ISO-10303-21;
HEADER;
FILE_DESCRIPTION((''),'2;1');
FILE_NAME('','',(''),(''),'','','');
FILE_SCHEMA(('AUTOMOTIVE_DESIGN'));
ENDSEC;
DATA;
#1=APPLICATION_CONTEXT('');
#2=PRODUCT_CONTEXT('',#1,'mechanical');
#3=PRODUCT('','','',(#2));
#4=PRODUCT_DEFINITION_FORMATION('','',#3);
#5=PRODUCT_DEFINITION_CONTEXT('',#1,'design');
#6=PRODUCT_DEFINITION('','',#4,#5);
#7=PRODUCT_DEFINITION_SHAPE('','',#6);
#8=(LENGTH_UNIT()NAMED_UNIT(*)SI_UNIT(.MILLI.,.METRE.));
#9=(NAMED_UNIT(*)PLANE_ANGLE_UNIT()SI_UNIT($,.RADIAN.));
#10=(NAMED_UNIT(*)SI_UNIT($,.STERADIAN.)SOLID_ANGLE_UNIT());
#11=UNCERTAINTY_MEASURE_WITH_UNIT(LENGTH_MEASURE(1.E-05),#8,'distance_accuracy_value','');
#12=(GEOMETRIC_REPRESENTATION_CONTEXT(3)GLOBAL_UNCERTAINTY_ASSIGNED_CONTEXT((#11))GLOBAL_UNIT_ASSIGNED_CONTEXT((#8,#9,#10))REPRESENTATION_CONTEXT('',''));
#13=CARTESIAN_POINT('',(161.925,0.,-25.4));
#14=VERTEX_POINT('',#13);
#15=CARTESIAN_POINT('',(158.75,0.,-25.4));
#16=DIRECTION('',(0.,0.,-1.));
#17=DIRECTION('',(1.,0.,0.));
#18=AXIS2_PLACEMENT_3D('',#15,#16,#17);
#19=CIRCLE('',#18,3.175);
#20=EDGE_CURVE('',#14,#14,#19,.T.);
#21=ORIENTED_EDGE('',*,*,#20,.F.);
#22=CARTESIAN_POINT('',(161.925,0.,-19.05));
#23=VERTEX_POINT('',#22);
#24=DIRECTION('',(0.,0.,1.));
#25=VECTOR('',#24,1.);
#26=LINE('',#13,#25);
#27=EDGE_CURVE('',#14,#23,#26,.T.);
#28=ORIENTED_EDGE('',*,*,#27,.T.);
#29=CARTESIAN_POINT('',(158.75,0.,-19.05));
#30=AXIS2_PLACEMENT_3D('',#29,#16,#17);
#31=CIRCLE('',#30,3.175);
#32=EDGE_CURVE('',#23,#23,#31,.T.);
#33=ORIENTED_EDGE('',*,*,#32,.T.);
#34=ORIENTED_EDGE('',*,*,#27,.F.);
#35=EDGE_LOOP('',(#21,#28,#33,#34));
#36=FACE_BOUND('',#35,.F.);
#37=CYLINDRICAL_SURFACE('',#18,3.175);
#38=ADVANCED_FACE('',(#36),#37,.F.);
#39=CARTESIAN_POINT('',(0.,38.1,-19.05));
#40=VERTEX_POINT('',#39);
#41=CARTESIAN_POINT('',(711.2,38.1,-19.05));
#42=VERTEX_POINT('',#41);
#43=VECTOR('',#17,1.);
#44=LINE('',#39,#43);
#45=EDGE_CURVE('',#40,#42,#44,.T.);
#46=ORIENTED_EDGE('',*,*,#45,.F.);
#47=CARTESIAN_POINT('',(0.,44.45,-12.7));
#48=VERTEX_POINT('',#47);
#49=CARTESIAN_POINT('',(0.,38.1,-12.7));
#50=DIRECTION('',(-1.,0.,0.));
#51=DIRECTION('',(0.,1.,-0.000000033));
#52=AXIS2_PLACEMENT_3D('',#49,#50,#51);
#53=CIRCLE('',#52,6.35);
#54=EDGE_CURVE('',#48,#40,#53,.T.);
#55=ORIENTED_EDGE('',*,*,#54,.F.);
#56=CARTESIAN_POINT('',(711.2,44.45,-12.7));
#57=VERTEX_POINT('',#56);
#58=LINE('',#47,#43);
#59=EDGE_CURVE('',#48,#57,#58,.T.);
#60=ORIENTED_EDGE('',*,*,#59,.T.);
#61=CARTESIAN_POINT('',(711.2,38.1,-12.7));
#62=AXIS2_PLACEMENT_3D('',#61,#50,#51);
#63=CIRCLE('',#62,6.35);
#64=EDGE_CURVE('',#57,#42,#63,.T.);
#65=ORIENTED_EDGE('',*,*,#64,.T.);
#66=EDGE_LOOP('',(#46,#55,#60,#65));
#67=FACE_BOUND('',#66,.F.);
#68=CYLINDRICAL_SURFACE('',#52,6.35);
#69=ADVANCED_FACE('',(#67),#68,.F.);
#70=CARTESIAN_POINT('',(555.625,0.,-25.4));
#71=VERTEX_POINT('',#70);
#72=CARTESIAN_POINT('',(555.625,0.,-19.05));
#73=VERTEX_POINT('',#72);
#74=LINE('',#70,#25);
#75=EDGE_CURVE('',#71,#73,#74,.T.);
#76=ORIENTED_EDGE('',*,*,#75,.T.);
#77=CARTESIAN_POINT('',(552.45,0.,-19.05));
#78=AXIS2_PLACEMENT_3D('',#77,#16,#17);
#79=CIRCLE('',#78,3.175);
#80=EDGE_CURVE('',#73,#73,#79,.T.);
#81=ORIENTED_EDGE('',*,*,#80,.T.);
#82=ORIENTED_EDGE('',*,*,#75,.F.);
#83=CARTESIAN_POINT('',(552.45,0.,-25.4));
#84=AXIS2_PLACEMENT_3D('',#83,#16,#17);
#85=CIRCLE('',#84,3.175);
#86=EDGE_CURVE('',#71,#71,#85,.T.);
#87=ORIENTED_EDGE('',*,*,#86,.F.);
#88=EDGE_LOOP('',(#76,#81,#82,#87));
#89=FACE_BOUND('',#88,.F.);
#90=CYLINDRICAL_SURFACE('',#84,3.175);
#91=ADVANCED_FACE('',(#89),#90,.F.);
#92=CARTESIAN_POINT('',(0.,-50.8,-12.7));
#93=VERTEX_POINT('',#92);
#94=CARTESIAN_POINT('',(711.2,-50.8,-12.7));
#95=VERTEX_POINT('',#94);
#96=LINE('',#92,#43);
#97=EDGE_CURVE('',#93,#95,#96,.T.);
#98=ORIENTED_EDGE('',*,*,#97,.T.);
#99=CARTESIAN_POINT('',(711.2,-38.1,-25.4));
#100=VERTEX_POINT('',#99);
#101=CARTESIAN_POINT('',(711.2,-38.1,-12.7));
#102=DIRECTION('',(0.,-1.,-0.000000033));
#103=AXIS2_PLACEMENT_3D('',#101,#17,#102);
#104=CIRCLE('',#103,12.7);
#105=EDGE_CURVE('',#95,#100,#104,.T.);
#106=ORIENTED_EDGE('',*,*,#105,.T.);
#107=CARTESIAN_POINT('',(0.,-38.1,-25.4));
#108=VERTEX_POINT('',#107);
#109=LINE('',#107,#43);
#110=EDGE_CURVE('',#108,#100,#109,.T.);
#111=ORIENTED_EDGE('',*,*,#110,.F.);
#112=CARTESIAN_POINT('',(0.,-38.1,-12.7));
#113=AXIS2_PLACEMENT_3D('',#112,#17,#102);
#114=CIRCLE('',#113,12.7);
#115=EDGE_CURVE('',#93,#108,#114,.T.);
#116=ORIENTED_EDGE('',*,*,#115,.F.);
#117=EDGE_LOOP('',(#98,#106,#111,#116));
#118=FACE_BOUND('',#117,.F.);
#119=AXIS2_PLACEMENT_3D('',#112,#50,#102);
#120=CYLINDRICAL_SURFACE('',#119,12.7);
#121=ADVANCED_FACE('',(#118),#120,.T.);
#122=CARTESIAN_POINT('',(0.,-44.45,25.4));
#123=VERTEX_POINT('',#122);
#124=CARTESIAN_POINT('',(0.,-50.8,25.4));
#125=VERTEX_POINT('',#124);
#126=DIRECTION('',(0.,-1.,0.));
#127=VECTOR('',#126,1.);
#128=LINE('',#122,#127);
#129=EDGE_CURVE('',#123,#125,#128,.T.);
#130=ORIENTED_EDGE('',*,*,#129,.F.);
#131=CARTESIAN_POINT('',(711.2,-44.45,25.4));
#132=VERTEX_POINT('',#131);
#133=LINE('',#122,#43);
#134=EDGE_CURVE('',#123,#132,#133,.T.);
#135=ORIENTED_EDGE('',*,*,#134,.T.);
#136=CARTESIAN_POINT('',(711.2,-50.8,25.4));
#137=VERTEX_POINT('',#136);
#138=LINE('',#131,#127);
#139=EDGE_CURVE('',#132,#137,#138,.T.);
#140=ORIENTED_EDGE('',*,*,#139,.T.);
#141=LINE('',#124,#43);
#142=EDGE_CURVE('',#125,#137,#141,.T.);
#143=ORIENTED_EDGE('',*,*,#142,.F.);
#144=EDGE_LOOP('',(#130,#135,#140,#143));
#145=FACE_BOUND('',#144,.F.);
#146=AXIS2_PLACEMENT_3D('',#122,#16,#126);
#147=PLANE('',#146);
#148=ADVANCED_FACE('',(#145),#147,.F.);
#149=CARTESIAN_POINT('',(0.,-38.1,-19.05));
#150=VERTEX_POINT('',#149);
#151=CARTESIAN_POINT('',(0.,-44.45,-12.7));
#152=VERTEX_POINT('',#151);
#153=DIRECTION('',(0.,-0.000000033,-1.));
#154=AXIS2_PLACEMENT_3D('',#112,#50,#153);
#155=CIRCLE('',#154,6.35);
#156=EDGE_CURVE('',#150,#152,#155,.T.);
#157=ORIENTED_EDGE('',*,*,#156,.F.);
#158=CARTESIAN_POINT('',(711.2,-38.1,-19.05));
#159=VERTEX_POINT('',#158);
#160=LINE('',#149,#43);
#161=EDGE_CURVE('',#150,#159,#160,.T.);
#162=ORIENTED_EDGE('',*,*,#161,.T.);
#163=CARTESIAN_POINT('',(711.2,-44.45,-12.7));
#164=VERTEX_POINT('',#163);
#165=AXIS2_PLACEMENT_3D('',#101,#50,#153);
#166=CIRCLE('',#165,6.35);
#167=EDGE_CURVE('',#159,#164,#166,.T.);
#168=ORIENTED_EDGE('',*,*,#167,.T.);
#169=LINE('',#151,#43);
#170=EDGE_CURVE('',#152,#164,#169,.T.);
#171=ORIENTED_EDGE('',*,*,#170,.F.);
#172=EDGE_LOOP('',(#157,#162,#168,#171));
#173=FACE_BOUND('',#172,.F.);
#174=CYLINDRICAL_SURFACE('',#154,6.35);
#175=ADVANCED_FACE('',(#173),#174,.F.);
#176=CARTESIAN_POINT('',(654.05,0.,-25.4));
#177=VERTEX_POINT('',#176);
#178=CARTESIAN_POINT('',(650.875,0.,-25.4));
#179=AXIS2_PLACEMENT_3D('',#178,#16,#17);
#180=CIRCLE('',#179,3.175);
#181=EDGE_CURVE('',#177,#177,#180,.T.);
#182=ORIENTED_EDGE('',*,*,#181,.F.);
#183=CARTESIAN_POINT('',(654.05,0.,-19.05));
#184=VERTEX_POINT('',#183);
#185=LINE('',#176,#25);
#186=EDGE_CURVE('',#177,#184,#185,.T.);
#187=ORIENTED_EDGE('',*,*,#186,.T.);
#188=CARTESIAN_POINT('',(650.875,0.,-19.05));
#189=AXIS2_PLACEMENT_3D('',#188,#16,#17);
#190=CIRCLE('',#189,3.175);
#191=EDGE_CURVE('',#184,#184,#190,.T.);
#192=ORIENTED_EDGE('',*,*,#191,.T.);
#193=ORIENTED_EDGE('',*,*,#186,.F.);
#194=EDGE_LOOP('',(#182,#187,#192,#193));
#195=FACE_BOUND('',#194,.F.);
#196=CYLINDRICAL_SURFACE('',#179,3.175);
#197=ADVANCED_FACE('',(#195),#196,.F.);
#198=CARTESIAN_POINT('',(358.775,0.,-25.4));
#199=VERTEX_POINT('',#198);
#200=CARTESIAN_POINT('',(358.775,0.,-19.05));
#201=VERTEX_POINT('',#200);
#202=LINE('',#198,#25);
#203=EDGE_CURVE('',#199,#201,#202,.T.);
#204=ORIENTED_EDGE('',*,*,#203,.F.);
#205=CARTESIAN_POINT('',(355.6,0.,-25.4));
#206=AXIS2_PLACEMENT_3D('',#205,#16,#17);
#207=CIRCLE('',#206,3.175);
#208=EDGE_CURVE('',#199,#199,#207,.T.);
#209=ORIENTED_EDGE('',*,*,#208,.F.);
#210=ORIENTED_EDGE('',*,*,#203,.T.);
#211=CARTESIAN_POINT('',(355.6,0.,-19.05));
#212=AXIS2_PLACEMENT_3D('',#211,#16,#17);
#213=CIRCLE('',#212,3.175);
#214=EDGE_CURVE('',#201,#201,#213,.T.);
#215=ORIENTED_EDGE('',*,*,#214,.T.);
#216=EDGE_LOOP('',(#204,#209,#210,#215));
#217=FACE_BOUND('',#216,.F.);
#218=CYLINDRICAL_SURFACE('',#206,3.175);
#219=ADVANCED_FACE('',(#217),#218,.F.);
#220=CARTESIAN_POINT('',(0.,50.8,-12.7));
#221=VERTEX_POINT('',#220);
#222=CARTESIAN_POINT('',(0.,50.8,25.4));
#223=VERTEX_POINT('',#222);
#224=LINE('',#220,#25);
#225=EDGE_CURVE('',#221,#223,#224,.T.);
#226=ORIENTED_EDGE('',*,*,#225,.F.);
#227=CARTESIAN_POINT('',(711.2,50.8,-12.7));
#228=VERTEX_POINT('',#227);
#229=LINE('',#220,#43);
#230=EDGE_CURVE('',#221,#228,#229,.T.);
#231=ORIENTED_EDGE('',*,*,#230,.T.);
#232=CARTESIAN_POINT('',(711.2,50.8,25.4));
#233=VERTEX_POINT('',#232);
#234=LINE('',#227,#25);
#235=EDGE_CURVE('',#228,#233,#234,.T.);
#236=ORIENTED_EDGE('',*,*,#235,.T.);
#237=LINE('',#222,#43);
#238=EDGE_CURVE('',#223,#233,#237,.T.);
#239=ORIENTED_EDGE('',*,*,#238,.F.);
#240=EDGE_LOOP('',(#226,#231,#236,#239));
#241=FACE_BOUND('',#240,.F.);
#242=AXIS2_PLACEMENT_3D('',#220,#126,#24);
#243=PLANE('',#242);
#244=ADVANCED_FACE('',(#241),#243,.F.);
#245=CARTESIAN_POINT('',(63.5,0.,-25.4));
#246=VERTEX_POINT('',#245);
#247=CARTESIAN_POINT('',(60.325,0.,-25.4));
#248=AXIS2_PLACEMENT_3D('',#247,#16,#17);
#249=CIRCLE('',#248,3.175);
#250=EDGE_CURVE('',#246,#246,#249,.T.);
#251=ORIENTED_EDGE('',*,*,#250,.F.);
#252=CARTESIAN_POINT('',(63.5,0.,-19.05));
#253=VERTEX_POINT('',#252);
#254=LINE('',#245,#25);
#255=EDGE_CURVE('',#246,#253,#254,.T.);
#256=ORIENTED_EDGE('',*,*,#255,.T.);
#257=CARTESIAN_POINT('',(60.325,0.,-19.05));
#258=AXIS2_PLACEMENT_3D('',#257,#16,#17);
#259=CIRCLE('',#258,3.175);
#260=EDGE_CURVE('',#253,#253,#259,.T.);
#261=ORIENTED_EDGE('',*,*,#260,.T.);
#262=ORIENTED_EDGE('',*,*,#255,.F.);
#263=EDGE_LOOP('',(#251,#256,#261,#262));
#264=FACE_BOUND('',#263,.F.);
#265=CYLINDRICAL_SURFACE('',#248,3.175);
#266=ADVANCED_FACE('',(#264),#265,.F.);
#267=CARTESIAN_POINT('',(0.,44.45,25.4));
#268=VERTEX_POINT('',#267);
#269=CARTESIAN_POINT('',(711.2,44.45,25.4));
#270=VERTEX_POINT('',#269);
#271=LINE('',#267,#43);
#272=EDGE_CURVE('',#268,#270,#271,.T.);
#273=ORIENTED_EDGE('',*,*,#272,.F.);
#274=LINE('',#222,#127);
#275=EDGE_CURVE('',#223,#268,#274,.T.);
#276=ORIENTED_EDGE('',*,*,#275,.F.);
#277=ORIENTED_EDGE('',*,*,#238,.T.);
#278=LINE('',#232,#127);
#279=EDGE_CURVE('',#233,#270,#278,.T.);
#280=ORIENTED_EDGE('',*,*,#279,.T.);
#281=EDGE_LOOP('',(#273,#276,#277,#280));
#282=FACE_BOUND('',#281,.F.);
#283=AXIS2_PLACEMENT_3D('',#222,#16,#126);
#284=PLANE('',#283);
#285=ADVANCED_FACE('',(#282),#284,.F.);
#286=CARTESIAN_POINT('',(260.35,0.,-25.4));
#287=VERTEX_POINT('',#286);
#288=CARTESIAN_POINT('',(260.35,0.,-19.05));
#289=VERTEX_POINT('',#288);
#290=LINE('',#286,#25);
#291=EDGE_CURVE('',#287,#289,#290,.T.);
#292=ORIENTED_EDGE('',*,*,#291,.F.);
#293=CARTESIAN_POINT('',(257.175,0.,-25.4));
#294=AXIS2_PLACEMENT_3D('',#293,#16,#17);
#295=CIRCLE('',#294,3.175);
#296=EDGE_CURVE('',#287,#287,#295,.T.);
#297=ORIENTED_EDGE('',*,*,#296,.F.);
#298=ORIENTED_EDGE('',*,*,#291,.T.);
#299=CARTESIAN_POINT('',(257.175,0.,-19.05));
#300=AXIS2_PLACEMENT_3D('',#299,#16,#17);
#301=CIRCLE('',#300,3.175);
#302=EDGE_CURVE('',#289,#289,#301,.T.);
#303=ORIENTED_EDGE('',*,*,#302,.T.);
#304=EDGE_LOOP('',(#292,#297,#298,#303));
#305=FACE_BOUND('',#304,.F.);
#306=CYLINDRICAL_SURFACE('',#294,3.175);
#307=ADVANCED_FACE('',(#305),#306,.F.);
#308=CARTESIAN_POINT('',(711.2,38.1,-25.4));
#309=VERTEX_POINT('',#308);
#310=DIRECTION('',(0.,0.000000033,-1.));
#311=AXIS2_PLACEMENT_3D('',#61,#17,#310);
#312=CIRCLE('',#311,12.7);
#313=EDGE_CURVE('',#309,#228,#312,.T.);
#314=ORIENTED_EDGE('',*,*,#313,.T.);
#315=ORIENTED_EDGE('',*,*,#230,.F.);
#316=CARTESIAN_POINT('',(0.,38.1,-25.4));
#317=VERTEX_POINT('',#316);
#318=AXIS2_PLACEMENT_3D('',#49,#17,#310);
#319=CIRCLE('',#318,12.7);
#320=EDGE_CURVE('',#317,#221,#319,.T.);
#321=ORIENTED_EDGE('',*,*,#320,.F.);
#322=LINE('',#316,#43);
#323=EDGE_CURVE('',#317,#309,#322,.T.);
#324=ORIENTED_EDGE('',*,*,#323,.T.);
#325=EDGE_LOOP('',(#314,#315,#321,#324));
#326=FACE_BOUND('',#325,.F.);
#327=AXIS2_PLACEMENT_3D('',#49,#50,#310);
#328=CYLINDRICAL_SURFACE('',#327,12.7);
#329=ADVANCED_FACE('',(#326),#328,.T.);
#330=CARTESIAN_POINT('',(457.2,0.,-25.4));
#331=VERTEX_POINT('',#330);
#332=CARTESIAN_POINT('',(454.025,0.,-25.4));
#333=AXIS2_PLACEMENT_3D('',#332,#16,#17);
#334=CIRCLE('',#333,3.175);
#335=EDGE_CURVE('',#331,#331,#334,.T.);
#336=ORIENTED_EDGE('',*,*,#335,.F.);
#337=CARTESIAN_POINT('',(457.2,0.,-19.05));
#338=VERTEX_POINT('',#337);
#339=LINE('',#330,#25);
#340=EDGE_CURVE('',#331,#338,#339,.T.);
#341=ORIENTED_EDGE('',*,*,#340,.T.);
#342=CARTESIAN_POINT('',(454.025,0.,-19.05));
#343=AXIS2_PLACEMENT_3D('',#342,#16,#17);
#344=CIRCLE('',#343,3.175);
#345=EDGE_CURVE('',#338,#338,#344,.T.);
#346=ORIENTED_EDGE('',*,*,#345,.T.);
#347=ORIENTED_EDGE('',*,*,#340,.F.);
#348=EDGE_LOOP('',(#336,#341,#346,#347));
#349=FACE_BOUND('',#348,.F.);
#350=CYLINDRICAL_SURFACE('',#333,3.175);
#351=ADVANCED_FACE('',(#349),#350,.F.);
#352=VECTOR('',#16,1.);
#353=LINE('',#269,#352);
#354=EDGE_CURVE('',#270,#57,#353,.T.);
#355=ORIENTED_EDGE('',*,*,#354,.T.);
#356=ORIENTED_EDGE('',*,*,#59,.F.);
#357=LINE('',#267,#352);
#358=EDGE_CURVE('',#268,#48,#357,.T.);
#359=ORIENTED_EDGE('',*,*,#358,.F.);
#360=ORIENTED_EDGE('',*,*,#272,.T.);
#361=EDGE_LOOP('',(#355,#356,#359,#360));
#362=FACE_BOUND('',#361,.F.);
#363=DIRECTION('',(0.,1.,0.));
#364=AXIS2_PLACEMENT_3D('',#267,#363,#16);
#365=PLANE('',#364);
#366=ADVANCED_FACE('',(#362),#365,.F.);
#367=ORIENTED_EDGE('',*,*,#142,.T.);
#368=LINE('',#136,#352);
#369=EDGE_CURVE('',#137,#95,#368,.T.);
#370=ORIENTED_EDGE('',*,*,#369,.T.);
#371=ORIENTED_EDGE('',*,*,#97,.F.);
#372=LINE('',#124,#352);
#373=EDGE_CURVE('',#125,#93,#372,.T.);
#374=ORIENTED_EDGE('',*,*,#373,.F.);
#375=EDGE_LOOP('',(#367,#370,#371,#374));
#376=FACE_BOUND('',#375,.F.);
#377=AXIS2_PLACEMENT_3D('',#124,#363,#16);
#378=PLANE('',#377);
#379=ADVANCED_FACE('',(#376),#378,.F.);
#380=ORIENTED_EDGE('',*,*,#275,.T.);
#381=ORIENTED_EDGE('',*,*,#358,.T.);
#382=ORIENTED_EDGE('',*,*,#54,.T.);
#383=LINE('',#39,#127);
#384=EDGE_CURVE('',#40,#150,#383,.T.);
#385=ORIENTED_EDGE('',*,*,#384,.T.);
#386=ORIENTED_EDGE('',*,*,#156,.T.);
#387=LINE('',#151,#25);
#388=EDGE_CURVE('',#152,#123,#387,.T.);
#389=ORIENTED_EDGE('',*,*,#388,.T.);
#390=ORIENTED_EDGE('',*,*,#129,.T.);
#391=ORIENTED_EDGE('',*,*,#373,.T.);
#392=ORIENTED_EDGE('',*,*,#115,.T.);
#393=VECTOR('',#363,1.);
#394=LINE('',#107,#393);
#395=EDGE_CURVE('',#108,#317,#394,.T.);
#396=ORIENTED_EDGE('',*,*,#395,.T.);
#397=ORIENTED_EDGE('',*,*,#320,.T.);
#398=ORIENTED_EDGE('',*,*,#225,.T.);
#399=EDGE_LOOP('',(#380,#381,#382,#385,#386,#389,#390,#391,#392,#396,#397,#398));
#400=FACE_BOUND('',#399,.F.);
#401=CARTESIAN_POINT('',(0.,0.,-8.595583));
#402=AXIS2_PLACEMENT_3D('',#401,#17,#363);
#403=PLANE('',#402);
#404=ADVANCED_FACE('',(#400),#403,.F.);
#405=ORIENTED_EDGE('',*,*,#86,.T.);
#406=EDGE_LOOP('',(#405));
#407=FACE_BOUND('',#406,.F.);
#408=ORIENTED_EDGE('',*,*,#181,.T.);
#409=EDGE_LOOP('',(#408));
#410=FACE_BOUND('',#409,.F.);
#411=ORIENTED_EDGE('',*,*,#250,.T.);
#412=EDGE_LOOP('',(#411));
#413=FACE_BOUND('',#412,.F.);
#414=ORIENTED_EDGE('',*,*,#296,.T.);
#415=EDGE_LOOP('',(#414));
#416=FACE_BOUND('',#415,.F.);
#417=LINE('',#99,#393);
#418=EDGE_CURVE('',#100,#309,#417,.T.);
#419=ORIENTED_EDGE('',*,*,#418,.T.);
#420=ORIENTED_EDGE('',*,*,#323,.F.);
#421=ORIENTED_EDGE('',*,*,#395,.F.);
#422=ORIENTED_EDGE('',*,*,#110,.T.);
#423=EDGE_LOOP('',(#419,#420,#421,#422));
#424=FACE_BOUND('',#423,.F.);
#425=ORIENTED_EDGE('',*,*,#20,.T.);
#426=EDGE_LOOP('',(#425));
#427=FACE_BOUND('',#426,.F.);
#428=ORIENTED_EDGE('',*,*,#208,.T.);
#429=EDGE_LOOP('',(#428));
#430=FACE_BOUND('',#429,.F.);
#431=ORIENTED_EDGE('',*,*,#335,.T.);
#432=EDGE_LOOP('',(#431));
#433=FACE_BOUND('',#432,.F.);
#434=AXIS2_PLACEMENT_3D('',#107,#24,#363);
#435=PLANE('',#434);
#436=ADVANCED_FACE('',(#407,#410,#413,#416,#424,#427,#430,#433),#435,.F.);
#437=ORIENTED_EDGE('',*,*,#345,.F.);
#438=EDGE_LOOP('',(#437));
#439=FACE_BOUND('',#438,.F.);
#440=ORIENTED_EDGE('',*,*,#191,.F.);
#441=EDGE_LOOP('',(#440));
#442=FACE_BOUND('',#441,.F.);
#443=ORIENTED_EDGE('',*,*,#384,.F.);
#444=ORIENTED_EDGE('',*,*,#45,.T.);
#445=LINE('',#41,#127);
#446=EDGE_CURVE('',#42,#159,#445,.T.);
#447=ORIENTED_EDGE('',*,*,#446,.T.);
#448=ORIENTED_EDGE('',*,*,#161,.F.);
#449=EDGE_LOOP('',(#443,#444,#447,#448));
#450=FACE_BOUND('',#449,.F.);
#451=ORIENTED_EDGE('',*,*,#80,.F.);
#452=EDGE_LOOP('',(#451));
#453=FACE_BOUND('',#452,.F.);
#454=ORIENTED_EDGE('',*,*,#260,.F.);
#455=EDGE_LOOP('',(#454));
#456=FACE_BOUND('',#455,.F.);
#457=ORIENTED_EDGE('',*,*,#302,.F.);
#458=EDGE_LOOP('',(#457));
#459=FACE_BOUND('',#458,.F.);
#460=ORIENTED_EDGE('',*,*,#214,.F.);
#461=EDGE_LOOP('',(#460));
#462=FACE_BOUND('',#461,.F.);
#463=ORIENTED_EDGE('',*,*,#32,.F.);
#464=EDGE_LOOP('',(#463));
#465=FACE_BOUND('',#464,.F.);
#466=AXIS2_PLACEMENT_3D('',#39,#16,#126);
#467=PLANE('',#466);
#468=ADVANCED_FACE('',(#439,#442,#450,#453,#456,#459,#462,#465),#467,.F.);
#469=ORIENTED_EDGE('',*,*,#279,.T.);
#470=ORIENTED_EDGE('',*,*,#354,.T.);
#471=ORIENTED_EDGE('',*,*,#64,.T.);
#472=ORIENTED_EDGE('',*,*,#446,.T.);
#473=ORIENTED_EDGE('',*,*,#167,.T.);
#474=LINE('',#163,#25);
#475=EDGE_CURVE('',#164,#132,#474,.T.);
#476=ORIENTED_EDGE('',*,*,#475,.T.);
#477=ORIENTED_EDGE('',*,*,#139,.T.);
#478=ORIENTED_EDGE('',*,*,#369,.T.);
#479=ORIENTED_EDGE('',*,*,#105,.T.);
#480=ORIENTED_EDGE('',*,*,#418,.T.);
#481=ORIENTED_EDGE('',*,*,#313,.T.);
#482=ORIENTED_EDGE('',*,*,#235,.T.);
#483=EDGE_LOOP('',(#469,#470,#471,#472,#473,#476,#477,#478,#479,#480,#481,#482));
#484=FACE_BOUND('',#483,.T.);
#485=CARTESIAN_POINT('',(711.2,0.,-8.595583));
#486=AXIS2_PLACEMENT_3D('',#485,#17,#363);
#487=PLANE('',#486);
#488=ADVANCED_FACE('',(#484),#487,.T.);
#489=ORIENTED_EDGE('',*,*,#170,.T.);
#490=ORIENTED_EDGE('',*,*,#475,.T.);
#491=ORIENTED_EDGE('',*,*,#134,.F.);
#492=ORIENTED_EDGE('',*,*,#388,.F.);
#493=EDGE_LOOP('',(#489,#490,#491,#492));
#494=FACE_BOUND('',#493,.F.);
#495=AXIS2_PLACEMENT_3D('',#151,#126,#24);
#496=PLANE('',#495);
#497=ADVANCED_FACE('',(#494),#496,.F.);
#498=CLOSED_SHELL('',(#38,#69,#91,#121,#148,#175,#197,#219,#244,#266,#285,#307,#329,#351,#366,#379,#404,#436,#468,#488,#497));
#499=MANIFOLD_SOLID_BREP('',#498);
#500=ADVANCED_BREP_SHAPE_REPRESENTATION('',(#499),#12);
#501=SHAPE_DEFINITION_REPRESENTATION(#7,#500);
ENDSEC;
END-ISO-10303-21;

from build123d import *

# Parameters (mm, degrees)
F1_DEPTH = 711.2
F2_R     = 3.175
F3_DEPTH = 25.4


with BuildPart() as f1:
    # F0 (on Right) → F1 (new body)
    with BuildSketch(Plane.YZ):
        with BuildLine():
            Line((-38.1, -25.4), (38.1, -25.4))
            ThreePointArc((38.1, -25.4), (47.080256, -21.680256), (50.8, -12.7))
            Line((50.8, -12.7), (50.8, 25.4))
            Line((50.8, 25.4), (44.45, 25.4))
            Line((44.45, 25.4), (44.45, -12.7))
            ThreePointArc((44.45, -12.7), (42.590128, -17.190128), (38.1, -19.05))
            Line((38.1, -19.05), (-38.1, -19.05))
            ThreePointArc((-38.1, -19.05), (-42.590128, -17.190128), (-44.45, -12.7))
            Line((-44.45, -12.7), (-44.45, 25.4))
            Line((-44.45, 25.4), (-50.8, 25.4))
            Line((-50.8, 25.4), (-50.8, -12.7))
            ThreePointArc((-50.8, -12.7), (-47.080256, -21.680256), (-38.1, -25.4))
        make_face()
    extrude(amount=F1_DEPTH)

    # F2 (on face) → F3 (cut)
    with BuildSketch(Plane(origin=(0, 0, -25.4), x_dir=(1, 0, 0), z_dir=(0, 0, -1))):
        with Locations((355.6, 0)):
            Circle(F2_R)
        with Locations((454.025, 0)):
            Circle(F2_R)
        with Locations((552.45, 0)):
            Circle(F2_R)
        with Locations((650.875, 0)):
            Circle(F2_R)
        with Locations((257.175, 0)):
            Circle(F2_R)
        with Locations((158.75, 0)):
            Circle(F2_R)
        with Locations((60.325, 0)):
            Circle(F2_R)
    extrude(amount=-F3_DEPTH, mode=Mode.SUBTRACT)


solid = f1.part
